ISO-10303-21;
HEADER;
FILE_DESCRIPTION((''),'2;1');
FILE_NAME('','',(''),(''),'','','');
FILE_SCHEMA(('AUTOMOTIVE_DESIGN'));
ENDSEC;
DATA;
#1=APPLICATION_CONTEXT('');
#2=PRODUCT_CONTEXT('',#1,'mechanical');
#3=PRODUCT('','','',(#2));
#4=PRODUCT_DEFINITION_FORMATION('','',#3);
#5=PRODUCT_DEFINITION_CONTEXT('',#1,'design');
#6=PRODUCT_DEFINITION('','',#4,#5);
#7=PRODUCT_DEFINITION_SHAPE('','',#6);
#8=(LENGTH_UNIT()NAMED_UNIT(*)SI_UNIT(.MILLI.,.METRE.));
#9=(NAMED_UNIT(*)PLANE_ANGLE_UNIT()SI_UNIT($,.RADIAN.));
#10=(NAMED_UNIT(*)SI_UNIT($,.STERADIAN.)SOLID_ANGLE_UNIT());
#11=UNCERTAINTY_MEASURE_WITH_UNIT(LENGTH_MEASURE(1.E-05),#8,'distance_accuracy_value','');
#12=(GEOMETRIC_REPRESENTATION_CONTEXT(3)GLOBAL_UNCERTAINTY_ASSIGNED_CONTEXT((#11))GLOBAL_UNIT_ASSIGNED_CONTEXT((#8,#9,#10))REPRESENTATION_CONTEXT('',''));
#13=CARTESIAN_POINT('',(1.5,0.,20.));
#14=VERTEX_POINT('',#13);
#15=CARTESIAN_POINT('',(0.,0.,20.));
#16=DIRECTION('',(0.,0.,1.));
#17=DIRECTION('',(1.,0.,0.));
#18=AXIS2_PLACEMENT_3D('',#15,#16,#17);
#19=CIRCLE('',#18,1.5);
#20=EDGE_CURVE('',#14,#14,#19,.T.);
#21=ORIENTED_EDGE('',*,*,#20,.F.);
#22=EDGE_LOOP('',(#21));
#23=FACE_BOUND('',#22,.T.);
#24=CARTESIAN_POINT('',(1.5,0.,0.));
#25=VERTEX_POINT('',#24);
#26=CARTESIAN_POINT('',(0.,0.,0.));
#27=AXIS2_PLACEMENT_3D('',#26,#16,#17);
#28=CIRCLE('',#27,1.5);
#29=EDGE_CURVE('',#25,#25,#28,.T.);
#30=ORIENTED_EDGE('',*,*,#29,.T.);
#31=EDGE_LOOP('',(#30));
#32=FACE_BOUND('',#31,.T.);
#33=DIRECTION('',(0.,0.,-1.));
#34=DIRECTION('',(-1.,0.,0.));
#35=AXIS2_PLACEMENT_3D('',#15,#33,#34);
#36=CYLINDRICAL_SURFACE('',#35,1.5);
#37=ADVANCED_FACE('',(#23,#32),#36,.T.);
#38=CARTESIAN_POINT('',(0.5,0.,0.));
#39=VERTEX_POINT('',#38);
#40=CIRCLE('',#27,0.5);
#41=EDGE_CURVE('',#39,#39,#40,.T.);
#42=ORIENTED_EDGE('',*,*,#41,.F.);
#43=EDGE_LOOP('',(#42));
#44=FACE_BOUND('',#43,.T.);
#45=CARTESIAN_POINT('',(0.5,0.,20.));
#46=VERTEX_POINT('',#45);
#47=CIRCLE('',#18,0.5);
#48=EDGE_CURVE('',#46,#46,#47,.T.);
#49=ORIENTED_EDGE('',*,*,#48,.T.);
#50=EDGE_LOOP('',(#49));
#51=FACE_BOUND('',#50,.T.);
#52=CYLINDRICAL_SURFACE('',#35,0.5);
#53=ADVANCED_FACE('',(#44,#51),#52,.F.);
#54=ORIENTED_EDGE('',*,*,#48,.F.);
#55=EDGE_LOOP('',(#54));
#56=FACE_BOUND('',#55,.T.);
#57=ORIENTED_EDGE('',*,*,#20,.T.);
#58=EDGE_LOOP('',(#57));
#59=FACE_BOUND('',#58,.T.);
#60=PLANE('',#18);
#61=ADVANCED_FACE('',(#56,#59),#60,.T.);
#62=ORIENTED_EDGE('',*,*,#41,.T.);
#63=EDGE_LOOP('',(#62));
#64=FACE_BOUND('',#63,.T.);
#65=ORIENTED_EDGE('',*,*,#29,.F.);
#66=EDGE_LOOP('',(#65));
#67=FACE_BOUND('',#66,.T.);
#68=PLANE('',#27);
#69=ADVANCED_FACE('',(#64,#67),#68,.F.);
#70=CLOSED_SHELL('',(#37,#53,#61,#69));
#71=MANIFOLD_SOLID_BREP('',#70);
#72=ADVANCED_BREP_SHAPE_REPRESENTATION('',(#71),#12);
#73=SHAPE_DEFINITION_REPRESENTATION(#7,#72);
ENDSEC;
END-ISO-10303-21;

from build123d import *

# Parameters (mm, degrees)
SCHIZZO1_R                   = 1.5
SCHIZZO1_R_2                 = 0.5
ESTRUSIONE_ESTRUSIONE1_DEPTH = 20


with BuildPart() as part:
    # Schizzo1 → Estrusione-Estrusione1 (new body)
    with BuildSketch(Plane.XY):
        Circle(SCHIZZO1_R)
        Circle(SCHIZZO1_R_2, mode=Mode.SUBTRACT)
    extrude(amount=ESTRUSIONE_ESTRUSIONE1_DEPTH)


solid = part.part
